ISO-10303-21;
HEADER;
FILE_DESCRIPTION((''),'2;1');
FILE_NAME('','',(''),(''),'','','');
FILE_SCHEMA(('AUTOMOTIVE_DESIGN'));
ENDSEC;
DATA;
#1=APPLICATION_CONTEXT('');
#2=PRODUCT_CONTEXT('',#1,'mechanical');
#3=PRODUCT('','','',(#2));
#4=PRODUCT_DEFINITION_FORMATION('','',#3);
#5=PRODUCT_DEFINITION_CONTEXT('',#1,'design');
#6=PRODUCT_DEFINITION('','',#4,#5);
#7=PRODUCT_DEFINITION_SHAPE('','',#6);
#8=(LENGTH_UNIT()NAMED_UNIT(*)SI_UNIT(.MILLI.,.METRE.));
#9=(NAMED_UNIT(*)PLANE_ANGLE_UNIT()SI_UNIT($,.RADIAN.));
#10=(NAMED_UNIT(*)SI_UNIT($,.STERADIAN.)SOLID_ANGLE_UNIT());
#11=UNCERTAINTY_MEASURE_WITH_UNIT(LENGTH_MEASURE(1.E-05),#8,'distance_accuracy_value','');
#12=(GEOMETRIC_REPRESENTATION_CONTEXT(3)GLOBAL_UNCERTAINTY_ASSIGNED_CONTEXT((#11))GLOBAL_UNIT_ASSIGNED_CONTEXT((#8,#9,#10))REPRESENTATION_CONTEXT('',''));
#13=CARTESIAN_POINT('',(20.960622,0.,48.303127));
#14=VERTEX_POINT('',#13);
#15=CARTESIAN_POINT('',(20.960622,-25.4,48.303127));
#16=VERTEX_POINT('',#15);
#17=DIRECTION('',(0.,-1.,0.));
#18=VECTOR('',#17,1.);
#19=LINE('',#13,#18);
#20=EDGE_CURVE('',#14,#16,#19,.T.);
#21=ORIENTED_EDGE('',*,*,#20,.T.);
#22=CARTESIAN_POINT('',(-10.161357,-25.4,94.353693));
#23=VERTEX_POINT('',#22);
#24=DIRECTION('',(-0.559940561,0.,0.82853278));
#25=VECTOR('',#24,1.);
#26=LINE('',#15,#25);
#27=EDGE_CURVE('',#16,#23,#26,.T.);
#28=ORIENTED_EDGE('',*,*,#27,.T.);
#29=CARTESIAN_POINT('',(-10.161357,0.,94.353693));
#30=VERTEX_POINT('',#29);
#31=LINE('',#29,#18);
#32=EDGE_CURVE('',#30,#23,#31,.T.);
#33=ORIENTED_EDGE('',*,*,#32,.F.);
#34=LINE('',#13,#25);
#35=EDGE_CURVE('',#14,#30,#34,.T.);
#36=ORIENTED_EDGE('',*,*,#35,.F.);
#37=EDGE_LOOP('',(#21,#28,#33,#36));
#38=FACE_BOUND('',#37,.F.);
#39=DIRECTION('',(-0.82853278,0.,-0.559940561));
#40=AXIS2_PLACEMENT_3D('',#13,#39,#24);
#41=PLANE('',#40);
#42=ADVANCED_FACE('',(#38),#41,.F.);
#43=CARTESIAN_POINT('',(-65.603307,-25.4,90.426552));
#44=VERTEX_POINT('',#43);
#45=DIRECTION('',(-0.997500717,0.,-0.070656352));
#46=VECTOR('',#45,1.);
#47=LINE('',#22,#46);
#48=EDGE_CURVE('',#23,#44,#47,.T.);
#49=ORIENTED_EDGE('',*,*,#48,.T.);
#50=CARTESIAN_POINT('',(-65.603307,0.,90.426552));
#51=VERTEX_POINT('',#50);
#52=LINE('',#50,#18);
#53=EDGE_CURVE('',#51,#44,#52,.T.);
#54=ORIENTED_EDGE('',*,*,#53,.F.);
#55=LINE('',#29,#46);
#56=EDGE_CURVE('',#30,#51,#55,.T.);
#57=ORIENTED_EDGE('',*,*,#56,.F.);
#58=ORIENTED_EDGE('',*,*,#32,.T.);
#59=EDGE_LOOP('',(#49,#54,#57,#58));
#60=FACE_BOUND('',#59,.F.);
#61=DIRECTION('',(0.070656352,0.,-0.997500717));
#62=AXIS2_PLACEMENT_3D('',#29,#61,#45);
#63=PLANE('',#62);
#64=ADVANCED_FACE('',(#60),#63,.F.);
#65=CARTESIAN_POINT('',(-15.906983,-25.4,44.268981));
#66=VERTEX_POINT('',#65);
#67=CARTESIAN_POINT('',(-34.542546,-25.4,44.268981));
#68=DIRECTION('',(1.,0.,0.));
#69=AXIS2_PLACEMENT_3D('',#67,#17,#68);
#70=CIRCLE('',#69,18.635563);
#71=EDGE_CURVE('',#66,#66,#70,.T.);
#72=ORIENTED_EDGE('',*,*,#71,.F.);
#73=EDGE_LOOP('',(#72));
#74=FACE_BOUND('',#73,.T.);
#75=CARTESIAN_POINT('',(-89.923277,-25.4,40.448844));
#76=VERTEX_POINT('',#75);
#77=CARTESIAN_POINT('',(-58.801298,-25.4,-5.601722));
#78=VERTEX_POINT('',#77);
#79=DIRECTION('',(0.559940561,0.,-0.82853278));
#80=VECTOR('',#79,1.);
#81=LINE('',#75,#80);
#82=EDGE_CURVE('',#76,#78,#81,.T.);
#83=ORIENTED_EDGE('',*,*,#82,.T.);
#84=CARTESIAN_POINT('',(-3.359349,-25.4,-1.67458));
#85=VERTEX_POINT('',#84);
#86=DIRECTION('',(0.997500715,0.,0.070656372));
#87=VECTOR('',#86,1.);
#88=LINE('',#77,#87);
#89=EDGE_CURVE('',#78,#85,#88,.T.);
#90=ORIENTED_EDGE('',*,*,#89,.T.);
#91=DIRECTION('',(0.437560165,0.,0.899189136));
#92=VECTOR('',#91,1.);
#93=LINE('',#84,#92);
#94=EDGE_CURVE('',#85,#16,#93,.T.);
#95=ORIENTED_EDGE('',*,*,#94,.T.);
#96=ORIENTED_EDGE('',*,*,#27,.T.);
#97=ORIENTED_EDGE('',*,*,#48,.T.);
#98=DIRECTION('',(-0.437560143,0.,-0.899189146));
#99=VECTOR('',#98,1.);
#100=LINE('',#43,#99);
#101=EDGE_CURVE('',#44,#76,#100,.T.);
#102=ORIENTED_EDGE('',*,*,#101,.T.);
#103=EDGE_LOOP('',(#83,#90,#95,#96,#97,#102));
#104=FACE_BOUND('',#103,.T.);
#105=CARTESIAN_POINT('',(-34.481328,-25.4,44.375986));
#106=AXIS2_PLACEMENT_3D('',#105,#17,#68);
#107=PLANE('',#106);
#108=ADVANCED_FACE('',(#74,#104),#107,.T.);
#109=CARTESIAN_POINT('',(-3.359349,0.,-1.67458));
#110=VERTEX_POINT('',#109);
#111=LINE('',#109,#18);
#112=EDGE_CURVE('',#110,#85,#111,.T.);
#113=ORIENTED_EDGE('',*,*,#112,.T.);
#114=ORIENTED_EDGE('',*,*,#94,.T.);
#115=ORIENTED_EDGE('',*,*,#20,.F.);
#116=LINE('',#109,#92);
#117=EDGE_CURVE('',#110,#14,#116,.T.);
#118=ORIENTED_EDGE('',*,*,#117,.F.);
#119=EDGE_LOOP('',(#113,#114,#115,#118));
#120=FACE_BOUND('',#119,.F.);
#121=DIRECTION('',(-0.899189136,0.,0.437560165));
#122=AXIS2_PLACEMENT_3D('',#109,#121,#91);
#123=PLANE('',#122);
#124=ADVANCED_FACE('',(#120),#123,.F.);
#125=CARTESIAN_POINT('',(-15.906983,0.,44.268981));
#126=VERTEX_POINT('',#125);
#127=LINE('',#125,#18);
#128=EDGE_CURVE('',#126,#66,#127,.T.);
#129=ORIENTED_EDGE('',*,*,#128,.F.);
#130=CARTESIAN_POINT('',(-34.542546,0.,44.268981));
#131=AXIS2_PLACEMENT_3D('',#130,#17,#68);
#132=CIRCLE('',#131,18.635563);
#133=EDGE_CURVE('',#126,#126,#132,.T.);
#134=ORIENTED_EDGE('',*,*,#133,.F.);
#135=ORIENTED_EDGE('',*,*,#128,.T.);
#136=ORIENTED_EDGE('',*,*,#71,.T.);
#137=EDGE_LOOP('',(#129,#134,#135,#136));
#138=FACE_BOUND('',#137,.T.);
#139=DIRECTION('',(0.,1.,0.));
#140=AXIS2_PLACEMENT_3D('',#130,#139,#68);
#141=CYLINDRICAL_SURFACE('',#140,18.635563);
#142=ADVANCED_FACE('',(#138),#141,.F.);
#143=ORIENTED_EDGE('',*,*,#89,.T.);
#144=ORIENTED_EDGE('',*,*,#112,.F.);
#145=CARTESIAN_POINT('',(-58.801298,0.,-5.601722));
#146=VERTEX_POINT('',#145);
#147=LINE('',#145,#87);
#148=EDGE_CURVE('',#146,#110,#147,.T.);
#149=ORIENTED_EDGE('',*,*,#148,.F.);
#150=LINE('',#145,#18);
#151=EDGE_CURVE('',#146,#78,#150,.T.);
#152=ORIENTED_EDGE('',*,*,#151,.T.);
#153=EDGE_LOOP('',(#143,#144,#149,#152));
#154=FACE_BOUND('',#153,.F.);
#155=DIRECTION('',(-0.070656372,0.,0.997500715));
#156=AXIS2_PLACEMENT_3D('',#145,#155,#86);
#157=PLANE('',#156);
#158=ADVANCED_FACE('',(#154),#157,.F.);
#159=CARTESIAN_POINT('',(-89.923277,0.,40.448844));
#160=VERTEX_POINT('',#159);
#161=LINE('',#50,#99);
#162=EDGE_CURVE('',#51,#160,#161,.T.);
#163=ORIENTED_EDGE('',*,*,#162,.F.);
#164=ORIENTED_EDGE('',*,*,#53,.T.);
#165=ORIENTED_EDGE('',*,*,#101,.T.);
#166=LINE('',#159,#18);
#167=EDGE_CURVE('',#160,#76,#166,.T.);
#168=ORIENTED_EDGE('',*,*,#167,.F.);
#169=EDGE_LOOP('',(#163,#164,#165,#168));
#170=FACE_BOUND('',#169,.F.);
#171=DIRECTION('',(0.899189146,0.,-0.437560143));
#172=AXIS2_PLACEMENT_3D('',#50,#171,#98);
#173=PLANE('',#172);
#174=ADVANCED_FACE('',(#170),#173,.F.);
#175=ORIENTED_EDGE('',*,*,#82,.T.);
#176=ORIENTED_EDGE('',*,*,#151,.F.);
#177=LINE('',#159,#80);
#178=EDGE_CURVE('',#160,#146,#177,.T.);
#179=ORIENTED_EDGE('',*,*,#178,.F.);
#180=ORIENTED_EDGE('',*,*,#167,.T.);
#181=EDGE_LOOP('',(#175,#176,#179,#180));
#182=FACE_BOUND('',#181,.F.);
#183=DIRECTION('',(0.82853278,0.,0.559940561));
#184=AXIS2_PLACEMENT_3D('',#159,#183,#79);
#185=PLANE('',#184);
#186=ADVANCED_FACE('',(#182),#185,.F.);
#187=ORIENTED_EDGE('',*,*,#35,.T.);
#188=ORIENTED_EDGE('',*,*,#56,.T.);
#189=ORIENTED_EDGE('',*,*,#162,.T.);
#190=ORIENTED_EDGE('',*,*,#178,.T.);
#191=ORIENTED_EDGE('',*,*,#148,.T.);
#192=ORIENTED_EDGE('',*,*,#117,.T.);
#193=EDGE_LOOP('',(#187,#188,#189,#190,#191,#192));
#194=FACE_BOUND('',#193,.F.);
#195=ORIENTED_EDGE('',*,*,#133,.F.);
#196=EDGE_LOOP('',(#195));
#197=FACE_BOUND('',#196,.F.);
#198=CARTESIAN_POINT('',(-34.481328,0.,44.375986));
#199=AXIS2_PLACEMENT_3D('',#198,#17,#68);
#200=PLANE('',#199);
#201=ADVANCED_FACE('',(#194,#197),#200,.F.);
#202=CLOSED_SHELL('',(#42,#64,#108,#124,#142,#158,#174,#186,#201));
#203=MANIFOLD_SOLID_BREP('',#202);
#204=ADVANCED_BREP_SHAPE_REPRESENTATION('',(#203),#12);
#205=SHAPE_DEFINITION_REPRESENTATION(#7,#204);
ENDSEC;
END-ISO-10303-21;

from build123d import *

# Parameters (mm, degrees)
F1_R     = 18.635563
F2_DEPTH = 25.4


with BuildPart() as f2:
    # F1 (on face) → F2 (new body)
    with BuildSketch(Plane.XZ):
        Polygon((-58.801298, -5.601722), (-3.359349, -1.67458), (20.960622, 48.303127), (-10.161357, 94.353693), (-65.603307, 90.426552), (-89.923277, 40.448844), align=None)
        with Locations((-34.542546, 44.268981)):
            Circle(F1_R, mode=Mode.SUBTRACT)
    extrude(amount=F2_DEPTH)


solid = f2.part
